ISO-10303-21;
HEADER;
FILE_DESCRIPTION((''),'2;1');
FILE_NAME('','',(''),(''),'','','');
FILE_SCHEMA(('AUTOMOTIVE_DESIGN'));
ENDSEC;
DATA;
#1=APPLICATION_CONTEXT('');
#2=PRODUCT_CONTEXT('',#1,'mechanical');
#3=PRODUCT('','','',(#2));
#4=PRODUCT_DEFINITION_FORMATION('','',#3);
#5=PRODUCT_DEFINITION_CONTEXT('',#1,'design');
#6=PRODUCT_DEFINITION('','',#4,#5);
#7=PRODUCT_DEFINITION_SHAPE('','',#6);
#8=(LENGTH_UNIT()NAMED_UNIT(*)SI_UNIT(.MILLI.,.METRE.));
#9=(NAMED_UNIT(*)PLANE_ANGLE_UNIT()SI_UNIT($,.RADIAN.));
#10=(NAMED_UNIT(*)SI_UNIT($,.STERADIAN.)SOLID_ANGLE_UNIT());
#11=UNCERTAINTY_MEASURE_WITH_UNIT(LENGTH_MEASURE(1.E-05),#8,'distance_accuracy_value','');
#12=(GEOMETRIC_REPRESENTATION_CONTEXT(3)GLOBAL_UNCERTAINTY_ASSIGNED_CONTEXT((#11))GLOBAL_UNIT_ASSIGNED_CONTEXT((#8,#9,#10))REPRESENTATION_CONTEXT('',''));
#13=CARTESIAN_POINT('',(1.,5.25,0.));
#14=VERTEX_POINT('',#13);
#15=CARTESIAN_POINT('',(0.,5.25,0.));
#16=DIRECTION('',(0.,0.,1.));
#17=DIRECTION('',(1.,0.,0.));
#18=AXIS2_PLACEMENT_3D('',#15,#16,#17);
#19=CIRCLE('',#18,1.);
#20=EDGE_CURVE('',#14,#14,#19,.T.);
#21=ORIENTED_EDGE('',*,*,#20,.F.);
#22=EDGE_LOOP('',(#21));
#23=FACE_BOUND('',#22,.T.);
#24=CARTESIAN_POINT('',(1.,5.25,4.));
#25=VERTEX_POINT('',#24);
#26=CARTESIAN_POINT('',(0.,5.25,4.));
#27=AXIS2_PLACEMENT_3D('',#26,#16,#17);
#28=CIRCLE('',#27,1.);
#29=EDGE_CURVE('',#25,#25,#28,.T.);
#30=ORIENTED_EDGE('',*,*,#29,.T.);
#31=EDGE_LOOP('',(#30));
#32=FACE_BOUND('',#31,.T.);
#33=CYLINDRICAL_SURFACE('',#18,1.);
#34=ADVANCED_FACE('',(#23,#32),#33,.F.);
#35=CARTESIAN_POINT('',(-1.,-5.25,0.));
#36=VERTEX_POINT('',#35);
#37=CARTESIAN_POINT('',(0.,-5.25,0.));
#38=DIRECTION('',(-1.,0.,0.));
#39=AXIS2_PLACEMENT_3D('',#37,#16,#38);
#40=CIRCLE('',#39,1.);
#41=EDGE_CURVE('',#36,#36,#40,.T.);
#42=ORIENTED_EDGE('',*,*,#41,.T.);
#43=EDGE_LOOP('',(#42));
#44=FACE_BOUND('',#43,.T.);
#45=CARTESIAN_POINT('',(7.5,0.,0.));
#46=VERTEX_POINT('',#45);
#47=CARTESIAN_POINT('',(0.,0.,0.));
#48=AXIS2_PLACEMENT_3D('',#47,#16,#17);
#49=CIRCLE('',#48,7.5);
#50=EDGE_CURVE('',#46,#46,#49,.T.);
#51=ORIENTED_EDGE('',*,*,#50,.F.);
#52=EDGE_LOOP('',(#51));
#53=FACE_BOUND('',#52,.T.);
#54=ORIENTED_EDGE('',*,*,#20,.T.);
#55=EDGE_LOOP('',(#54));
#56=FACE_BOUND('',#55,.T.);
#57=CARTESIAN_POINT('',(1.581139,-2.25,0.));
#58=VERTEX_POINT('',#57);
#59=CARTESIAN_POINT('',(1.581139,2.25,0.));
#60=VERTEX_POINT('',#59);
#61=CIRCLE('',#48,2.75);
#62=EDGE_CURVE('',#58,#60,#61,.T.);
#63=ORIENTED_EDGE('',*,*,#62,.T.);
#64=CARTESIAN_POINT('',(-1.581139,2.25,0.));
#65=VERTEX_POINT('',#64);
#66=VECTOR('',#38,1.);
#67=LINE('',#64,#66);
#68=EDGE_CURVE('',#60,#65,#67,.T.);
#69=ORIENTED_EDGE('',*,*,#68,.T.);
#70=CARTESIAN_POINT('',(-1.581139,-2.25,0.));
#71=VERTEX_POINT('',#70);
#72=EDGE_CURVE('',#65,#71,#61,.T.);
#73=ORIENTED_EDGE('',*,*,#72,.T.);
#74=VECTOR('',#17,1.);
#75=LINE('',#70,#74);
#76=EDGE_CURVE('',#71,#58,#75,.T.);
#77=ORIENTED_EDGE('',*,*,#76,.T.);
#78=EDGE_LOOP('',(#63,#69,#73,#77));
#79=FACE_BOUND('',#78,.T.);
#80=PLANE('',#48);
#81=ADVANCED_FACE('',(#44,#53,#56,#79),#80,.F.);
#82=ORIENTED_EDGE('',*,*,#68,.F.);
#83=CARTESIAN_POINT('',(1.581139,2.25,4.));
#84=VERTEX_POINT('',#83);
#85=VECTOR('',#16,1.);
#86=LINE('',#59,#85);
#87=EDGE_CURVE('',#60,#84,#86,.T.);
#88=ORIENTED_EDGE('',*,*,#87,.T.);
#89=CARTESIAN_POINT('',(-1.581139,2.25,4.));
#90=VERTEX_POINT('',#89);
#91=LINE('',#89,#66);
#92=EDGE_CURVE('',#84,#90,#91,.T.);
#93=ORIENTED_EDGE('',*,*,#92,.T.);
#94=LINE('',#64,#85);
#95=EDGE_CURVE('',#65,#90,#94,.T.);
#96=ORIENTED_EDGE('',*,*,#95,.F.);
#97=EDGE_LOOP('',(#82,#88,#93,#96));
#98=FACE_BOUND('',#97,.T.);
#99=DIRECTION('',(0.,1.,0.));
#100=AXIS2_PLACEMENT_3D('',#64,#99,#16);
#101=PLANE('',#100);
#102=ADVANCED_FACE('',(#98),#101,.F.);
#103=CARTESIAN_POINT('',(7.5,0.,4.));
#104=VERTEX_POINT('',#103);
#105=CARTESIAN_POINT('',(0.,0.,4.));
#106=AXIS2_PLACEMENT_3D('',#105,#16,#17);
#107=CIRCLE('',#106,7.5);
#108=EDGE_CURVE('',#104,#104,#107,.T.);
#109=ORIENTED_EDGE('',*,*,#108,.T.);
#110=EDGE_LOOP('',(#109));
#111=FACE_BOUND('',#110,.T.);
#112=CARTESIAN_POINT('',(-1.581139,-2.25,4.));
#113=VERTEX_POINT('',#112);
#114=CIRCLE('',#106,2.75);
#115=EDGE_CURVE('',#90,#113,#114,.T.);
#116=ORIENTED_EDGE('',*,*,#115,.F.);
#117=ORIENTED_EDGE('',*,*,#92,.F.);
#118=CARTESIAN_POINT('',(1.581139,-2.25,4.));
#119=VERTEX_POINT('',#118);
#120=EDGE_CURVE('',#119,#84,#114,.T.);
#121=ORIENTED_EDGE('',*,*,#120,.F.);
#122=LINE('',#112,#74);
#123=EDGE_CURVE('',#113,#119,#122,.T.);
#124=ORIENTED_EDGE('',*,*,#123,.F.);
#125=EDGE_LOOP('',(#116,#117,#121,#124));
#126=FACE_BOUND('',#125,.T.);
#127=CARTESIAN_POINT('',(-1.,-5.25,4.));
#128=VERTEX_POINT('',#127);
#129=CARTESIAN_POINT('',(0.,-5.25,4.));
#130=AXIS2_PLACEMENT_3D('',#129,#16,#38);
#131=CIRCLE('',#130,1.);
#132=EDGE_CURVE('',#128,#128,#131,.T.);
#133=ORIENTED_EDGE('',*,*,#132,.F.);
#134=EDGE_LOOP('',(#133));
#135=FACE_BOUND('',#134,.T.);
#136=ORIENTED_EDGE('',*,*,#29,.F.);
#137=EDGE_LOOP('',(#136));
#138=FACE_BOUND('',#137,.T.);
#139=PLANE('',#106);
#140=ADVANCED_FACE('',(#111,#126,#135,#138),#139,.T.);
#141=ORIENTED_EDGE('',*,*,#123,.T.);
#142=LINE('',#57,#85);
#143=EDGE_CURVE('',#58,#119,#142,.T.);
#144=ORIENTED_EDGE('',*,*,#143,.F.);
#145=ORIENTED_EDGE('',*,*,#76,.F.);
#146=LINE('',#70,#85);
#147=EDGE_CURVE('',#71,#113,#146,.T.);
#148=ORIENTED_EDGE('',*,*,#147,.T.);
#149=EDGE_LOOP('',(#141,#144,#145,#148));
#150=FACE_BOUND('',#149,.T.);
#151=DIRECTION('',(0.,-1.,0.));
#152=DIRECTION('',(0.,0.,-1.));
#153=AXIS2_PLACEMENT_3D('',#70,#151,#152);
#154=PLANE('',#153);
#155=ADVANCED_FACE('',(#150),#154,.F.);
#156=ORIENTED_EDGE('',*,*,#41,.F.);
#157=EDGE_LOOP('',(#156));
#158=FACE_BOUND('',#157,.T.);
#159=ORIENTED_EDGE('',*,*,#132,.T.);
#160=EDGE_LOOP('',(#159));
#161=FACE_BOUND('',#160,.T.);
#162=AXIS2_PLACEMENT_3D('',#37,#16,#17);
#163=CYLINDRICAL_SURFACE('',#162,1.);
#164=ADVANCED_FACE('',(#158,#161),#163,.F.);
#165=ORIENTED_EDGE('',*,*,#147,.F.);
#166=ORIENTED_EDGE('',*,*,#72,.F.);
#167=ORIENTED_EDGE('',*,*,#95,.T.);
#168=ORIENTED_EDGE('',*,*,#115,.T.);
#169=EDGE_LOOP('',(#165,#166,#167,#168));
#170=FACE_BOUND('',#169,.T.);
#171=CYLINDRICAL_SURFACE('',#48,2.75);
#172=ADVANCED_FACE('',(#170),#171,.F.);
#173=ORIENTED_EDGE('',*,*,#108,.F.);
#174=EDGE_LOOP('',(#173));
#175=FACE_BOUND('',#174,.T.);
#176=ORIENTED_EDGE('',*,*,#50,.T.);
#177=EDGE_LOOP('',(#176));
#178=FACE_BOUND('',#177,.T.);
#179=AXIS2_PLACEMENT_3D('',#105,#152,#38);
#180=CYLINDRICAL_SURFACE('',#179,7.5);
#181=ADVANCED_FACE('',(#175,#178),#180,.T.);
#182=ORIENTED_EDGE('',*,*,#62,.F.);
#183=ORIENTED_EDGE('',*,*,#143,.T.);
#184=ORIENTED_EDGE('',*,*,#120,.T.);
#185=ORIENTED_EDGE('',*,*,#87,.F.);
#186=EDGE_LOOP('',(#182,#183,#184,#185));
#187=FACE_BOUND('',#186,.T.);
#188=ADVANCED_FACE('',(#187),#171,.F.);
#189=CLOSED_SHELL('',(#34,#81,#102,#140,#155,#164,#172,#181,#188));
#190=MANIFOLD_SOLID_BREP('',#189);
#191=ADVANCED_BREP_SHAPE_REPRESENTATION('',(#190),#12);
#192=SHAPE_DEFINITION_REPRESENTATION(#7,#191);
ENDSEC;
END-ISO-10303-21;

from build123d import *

# Parameters (mm, degrees)
SKETCH_1_R          = 7.5
EXTRUDE_1_DEPTH     = 4
SKETCH_4_R          = 1
CUT_EXTRUDE_2_DEPTH = 4


with BuildPart() as part:
    # Эскиз1 → Бобышка-Вытянуть1 (new body)
    with BuildSketch(Plane.XY):
        Circle(SKETCH_1_R)
    extrude(amount=EXTRUDE_1_DEPTH)

    # Эскиз4 → Вырез-Вытянуть2 (cut)
    with BuildSketch(Plane.XY.offset(4)):
        with Locations((0, 5.25)):
            Circle(SKETCH_4_R)
        with Locations((0, -5.25)):
            Circle(SKETCH_4_R)
        with BuildLine():
            Line((-1.58113883, 2.25), (1.58113883, 2.25))
            ThreePointArc((1.58113883, 2.25), (2.75, 0), (1.58113883, -2.25))
            Line((1.58113883, -2.25), (-1.58113883, -2.25))
            ThreePointArc((-1.58113883, -2.25), (-2.75, 0), (-1.58113883, 2.25))
        make_face()
    extrude(amount=-CUT_EXTRUDE_2_DEPTH, mode=Mode.SUBTRACT)


solid = part.part
